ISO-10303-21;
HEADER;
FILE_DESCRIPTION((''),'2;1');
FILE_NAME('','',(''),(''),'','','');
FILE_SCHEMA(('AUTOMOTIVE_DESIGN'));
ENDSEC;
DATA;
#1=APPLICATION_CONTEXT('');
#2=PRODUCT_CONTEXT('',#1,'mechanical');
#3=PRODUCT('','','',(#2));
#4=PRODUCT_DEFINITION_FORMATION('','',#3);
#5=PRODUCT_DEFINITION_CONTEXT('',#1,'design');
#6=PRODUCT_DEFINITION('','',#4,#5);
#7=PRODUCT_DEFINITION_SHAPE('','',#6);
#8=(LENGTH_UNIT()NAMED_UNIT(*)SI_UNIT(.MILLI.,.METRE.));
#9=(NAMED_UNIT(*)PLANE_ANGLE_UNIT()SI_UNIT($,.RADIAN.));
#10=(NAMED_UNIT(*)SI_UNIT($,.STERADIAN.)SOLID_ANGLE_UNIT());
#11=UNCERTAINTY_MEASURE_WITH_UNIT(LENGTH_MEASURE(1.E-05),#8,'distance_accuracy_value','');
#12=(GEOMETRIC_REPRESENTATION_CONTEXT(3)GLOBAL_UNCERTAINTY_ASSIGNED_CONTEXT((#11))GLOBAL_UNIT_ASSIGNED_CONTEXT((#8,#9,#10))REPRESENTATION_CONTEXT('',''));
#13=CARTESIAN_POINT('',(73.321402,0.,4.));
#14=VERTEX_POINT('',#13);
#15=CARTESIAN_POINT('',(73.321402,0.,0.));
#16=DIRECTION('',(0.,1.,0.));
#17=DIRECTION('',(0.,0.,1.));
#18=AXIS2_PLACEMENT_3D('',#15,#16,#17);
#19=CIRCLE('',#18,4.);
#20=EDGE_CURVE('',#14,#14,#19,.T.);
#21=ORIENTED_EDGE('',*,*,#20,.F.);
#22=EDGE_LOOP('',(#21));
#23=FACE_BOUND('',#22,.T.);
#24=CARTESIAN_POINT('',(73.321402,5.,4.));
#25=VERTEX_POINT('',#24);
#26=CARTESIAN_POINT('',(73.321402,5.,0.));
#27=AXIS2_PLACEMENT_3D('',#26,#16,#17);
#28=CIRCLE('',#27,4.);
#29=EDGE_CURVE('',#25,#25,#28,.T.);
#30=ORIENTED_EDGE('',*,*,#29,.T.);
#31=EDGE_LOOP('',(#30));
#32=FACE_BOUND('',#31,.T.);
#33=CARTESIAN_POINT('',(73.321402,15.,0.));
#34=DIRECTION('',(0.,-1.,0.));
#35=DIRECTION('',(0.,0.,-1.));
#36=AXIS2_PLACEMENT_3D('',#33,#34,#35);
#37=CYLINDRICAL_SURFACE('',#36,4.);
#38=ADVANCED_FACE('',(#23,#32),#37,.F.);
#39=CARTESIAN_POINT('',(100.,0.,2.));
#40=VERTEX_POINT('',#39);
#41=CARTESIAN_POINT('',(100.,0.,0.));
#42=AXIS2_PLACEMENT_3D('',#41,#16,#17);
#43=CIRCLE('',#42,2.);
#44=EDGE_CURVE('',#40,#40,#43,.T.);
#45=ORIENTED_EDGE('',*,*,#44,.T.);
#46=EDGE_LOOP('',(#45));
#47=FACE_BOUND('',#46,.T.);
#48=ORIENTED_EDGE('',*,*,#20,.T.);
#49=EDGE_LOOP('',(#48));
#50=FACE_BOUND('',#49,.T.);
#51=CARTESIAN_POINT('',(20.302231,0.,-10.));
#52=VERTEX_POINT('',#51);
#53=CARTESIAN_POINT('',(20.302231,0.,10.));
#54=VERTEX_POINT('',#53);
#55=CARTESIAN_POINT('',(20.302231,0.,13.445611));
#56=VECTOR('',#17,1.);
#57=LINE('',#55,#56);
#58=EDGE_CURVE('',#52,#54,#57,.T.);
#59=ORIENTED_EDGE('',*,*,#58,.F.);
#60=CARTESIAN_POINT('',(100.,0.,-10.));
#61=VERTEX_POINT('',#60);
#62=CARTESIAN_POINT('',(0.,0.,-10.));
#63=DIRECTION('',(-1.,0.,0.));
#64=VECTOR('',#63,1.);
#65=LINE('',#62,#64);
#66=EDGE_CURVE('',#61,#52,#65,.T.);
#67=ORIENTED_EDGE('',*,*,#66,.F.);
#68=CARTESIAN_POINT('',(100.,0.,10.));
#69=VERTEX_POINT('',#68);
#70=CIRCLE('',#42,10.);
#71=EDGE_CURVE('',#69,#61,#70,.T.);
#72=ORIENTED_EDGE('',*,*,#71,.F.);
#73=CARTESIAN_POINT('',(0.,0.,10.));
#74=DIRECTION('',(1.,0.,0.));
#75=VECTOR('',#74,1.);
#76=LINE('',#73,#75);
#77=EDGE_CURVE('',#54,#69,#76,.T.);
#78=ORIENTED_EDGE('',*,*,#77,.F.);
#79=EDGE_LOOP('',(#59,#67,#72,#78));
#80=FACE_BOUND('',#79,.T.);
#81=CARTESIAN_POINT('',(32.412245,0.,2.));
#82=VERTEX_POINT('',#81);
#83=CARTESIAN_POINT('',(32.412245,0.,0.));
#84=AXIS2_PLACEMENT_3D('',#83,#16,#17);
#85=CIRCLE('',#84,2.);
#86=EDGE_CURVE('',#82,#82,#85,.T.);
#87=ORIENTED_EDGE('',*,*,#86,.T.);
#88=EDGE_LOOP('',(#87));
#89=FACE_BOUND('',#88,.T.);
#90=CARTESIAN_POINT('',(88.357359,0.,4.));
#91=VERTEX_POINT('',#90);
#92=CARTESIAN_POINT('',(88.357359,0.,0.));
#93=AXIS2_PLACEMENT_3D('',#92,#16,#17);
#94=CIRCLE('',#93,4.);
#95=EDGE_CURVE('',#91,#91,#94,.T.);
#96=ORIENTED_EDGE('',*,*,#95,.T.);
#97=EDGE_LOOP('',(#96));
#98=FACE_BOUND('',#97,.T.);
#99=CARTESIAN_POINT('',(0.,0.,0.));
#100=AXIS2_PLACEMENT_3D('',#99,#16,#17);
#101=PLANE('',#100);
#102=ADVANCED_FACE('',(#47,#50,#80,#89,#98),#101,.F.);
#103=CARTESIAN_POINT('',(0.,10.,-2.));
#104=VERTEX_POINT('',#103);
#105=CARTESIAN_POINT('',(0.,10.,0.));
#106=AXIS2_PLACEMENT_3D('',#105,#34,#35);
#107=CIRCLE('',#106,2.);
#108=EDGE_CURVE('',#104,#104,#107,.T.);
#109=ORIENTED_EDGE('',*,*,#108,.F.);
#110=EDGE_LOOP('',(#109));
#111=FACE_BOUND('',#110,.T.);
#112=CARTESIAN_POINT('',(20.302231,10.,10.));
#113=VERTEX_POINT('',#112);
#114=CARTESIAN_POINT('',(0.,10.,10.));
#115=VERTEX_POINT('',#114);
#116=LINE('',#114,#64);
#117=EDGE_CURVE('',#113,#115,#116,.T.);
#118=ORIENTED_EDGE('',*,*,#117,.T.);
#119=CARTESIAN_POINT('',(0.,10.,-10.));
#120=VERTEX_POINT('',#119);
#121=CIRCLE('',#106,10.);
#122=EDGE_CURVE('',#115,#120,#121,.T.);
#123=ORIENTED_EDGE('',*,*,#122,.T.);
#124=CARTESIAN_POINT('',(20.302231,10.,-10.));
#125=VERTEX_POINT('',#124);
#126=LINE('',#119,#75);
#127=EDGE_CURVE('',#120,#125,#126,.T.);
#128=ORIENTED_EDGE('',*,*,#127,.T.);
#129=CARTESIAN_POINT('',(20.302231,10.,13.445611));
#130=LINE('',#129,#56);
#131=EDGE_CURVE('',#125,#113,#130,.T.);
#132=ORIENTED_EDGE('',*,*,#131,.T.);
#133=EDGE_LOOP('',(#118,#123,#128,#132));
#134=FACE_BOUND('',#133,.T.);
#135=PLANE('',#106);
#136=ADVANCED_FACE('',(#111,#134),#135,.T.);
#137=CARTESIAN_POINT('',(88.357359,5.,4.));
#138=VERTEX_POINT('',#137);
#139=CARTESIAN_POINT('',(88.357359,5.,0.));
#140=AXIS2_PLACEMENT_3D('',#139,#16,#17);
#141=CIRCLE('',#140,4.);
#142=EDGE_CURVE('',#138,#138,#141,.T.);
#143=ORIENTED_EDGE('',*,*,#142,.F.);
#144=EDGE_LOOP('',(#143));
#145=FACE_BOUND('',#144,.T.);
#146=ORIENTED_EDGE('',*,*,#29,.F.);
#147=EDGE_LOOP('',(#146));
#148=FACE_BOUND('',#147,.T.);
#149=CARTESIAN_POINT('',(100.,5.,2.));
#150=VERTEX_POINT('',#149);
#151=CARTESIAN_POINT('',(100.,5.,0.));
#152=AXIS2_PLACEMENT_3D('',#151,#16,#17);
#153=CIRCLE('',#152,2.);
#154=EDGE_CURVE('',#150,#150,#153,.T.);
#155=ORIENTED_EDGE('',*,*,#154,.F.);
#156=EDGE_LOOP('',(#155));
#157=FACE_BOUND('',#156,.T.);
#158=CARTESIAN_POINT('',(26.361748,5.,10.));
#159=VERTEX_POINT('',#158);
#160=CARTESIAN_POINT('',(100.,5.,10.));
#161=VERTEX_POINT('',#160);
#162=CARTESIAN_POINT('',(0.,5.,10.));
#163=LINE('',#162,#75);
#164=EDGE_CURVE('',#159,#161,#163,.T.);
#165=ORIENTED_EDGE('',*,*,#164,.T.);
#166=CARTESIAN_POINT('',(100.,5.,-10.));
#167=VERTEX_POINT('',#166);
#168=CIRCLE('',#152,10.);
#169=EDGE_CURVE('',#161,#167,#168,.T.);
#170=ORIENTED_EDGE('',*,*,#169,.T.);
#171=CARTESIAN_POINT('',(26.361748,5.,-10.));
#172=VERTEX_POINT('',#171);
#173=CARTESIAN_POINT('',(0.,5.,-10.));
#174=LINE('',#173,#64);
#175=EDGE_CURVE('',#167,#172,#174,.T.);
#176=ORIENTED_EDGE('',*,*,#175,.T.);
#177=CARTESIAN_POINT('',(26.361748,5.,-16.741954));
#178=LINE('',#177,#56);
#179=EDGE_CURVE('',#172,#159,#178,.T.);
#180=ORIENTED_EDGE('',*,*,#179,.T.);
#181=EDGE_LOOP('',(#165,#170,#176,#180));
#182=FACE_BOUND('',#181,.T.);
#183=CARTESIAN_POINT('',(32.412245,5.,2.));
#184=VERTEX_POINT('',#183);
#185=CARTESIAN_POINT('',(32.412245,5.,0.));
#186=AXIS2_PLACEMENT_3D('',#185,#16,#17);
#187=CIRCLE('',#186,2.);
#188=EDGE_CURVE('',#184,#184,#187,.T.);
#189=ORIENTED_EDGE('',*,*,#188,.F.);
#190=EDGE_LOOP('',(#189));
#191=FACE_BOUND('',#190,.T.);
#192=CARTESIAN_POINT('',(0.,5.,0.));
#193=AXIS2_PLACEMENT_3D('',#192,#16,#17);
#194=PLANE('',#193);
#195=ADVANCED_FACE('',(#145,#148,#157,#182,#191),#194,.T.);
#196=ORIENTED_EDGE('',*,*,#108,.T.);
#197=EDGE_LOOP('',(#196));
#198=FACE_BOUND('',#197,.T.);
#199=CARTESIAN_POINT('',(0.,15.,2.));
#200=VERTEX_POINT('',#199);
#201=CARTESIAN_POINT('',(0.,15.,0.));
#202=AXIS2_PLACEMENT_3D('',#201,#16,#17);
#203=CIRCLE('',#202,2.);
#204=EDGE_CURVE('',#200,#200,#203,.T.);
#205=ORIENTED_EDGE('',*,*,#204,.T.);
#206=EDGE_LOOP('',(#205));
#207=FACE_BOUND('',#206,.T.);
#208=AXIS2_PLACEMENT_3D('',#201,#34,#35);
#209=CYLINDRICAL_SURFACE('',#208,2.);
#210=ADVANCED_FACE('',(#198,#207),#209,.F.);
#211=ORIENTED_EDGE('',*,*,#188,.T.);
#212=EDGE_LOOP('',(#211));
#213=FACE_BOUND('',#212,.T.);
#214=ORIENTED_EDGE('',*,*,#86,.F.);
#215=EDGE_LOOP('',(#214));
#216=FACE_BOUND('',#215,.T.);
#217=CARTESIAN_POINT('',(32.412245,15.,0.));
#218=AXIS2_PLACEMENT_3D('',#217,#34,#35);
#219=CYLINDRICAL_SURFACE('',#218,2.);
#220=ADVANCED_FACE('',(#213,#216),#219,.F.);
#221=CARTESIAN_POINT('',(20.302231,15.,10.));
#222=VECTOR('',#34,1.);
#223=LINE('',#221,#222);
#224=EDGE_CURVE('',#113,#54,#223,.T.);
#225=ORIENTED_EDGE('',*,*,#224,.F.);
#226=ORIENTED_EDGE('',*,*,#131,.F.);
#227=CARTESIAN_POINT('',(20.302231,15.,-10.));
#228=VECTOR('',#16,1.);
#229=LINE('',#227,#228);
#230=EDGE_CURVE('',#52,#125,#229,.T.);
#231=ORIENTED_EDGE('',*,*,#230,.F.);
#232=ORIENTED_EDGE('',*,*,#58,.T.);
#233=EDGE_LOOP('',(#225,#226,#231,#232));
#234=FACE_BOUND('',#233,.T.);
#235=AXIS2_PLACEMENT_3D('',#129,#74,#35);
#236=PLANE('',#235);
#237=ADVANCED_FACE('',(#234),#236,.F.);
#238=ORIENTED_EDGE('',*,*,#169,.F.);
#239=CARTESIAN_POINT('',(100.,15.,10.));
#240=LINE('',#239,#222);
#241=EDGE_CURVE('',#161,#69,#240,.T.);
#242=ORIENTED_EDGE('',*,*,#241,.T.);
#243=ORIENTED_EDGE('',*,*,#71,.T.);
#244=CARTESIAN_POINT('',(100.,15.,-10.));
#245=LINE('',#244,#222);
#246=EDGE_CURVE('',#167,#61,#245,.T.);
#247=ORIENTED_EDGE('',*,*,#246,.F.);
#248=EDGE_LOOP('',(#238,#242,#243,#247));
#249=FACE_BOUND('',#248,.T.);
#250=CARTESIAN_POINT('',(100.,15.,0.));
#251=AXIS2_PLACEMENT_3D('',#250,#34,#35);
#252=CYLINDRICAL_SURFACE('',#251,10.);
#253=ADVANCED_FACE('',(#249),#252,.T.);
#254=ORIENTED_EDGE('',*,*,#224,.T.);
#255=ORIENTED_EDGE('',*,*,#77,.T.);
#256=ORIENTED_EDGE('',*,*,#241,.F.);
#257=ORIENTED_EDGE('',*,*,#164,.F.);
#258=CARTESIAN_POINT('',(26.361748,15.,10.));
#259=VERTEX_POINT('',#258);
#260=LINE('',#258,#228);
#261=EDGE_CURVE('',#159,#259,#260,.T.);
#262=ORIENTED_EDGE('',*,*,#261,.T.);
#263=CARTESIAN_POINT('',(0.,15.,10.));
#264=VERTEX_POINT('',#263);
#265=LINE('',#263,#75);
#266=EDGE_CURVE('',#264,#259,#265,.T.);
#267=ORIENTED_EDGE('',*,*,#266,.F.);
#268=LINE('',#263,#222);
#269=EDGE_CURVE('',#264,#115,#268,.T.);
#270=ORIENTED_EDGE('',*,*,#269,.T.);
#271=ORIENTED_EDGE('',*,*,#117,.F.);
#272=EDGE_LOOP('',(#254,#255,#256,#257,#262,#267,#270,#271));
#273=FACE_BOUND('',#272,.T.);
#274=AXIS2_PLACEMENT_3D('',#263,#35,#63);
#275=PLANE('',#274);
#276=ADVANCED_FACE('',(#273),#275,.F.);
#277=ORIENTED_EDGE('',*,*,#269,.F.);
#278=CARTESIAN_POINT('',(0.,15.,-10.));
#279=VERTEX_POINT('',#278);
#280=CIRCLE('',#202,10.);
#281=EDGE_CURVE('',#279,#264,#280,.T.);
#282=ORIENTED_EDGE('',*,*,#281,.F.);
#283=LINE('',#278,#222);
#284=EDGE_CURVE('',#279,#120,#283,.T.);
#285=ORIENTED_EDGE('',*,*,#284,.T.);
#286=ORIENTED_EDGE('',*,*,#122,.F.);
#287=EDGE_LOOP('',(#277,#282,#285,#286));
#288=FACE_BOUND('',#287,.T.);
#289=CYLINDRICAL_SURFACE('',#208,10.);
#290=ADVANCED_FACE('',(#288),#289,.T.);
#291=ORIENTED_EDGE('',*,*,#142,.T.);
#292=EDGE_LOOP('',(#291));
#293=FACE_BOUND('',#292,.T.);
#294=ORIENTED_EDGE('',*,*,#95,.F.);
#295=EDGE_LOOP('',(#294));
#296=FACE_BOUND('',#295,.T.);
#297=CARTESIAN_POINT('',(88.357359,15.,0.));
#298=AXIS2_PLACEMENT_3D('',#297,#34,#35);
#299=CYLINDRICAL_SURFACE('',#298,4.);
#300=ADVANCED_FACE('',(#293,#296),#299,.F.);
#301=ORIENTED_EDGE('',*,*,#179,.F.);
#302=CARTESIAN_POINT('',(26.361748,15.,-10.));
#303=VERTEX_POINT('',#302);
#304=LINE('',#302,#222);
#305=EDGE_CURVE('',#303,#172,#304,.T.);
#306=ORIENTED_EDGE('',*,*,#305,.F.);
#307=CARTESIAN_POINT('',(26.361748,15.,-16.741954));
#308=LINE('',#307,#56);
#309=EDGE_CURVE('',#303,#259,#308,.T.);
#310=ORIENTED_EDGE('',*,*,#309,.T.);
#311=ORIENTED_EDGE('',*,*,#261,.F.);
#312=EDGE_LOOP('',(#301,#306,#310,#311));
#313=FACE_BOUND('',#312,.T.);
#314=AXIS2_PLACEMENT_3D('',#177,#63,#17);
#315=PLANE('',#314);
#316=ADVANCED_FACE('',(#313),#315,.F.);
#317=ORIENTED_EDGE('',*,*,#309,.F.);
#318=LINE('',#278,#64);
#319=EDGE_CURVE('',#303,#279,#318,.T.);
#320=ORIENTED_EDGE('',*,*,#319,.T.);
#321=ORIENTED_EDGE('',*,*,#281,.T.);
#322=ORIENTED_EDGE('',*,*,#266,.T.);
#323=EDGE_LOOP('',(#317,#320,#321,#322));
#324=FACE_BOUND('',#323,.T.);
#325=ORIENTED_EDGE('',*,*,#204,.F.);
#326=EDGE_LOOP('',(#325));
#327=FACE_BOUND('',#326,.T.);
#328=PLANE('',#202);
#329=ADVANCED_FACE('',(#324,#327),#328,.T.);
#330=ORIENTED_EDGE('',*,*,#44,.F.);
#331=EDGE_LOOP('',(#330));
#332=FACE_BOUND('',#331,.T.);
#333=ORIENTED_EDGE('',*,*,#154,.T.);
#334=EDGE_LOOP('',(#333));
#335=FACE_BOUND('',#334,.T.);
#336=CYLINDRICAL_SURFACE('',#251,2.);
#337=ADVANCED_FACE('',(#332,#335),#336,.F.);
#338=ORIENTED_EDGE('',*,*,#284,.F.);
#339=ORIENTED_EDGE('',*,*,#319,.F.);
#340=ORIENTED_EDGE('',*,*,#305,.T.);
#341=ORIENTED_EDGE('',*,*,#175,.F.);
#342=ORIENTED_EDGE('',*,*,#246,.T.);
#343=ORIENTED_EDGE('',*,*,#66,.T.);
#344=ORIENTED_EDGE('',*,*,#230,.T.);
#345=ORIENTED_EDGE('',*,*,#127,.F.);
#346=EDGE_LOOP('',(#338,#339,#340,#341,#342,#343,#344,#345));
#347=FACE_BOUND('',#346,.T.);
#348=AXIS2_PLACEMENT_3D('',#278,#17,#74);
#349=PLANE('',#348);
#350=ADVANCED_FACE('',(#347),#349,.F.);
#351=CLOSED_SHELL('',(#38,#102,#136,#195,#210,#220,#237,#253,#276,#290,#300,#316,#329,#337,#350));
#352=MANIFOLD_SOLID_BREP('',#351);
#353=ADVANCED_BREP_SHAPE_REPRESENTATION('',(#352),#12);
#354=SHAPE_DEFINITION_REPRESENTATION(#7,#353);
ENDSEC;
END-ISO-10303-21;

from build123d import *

# Parameters (mm, degrees)
SKETCH_2_R          = 2
SKETCH_2_R_2        = 4
EXTRUDE_1_DEPTH     = 15
SKETCH_3_W          = 98.28308004
SKETCH_3_H          = 42.939209726
CUT_EXTRUDE_1_DEPTH = 10
SKETCH_4_W          = 17.609413282
SKETCH_4_H          = 10.32275951
EXTRUDE_2_DEPTH     = 15
SKETCH_5_W          = 36.098979715
SKETCH_5_H          = 26.284001105
CUT_EXTRUDE_2_DEPTH = 10


with BuildPart() as part:
    # 草图2 → 凸台-拉伸1 (new body)
    with BuildSketch(Plane(origin=(0, 0, 0), x_dir=(1, 0, 0), z_dir=(0, 1, 0))):
        with BuildLine():
            Line((0, 10), (100, 10))
            ThreePointArc((100, 10), (110, 0), (100, -10))
            Line((100, -10), (0, -10))
            ThreePointArc((0, -10), (-10, 0), (0, 10))
        make_face()
        with Locations(Location((0, 0, 0), (0, 0, 270))):
            Circle(SKETCH_2_R, mode=Mode.SUBTRACT)
        with Locations(Location((10.16682634, 0, 0), (0, 0, 270))):
            Circle(SKETCH_2_R, mode=Mode.SUBTRACT)
        with Locations(Location((20.833686735, 0, 0), (0, 0, 270))):
            Circle(SKETCH_2_R, mode=Mode.SUBTRACT)
        with Locations(Location((32.412244599, 0, 0), (0, 0, 270))):
            Circle(SKETCH_2_R, mode=Mode.SUBTRACT)
        with Locations(Location((100, 0, 0), (0, 0, 270))):
            Circle(SKETCH_2_R, mode=Mode.SUBTRACT)
        with Locations(Location((88.357359208, 0, 0), (0, 0, 270))):
            Circle(SKETCH_2_R_2, mode=Mode.SUBTRACT)
        with Locations(Location((73.321402027, 0, 0), (0, 0, 270))):
            Circle(SKETCH_2_R_2, mode=Mode.SUBTRACT)
    extrude(amount=EXTRUDE_1_DEPTH)

    # 草图3 → 切除-拉伸1 (cut)
    with BuildSketch(Plane(origin=(0, 15, 0), x_dir=(1, 0, 0), z_dir=(0, 1, 0))):
        with Locations((75.503288201, -4.727650364)):
            Rectangle(SKETCH_3_W, SKETCH_3_H)
    extrude(amount=-CUT_EXTRUDE_1_DEPTH, mode=Mode.SUBTRACT)

    # 草图4 → 凸台-拉伸2 (add)
    with BuildSketch(Plane(origin=(0, 15, 0), x_dir=(1, 0, 0), z_dir=(0, 1, 0))):
        with Locations((15.041411071, 0.216864696)):
            Rectangle(SKETCH_4_W, SKETCH_4_H)
    extrude(amount=-EXTRUDE_2_DEPTH)

    # 草图5 → 切除-拉伸2 (cut)
    with BuildSketch(Plane.XZ):
        with Locations((2.252741217, 0.303610574)):
            Rectangle(SKETCH_5_W, SKETCH_5_H)
    extrude(amount=-CUT_EXTRUDE_2_DEPTH, mode=Mode.SUBTRACT)


solid = part.part
